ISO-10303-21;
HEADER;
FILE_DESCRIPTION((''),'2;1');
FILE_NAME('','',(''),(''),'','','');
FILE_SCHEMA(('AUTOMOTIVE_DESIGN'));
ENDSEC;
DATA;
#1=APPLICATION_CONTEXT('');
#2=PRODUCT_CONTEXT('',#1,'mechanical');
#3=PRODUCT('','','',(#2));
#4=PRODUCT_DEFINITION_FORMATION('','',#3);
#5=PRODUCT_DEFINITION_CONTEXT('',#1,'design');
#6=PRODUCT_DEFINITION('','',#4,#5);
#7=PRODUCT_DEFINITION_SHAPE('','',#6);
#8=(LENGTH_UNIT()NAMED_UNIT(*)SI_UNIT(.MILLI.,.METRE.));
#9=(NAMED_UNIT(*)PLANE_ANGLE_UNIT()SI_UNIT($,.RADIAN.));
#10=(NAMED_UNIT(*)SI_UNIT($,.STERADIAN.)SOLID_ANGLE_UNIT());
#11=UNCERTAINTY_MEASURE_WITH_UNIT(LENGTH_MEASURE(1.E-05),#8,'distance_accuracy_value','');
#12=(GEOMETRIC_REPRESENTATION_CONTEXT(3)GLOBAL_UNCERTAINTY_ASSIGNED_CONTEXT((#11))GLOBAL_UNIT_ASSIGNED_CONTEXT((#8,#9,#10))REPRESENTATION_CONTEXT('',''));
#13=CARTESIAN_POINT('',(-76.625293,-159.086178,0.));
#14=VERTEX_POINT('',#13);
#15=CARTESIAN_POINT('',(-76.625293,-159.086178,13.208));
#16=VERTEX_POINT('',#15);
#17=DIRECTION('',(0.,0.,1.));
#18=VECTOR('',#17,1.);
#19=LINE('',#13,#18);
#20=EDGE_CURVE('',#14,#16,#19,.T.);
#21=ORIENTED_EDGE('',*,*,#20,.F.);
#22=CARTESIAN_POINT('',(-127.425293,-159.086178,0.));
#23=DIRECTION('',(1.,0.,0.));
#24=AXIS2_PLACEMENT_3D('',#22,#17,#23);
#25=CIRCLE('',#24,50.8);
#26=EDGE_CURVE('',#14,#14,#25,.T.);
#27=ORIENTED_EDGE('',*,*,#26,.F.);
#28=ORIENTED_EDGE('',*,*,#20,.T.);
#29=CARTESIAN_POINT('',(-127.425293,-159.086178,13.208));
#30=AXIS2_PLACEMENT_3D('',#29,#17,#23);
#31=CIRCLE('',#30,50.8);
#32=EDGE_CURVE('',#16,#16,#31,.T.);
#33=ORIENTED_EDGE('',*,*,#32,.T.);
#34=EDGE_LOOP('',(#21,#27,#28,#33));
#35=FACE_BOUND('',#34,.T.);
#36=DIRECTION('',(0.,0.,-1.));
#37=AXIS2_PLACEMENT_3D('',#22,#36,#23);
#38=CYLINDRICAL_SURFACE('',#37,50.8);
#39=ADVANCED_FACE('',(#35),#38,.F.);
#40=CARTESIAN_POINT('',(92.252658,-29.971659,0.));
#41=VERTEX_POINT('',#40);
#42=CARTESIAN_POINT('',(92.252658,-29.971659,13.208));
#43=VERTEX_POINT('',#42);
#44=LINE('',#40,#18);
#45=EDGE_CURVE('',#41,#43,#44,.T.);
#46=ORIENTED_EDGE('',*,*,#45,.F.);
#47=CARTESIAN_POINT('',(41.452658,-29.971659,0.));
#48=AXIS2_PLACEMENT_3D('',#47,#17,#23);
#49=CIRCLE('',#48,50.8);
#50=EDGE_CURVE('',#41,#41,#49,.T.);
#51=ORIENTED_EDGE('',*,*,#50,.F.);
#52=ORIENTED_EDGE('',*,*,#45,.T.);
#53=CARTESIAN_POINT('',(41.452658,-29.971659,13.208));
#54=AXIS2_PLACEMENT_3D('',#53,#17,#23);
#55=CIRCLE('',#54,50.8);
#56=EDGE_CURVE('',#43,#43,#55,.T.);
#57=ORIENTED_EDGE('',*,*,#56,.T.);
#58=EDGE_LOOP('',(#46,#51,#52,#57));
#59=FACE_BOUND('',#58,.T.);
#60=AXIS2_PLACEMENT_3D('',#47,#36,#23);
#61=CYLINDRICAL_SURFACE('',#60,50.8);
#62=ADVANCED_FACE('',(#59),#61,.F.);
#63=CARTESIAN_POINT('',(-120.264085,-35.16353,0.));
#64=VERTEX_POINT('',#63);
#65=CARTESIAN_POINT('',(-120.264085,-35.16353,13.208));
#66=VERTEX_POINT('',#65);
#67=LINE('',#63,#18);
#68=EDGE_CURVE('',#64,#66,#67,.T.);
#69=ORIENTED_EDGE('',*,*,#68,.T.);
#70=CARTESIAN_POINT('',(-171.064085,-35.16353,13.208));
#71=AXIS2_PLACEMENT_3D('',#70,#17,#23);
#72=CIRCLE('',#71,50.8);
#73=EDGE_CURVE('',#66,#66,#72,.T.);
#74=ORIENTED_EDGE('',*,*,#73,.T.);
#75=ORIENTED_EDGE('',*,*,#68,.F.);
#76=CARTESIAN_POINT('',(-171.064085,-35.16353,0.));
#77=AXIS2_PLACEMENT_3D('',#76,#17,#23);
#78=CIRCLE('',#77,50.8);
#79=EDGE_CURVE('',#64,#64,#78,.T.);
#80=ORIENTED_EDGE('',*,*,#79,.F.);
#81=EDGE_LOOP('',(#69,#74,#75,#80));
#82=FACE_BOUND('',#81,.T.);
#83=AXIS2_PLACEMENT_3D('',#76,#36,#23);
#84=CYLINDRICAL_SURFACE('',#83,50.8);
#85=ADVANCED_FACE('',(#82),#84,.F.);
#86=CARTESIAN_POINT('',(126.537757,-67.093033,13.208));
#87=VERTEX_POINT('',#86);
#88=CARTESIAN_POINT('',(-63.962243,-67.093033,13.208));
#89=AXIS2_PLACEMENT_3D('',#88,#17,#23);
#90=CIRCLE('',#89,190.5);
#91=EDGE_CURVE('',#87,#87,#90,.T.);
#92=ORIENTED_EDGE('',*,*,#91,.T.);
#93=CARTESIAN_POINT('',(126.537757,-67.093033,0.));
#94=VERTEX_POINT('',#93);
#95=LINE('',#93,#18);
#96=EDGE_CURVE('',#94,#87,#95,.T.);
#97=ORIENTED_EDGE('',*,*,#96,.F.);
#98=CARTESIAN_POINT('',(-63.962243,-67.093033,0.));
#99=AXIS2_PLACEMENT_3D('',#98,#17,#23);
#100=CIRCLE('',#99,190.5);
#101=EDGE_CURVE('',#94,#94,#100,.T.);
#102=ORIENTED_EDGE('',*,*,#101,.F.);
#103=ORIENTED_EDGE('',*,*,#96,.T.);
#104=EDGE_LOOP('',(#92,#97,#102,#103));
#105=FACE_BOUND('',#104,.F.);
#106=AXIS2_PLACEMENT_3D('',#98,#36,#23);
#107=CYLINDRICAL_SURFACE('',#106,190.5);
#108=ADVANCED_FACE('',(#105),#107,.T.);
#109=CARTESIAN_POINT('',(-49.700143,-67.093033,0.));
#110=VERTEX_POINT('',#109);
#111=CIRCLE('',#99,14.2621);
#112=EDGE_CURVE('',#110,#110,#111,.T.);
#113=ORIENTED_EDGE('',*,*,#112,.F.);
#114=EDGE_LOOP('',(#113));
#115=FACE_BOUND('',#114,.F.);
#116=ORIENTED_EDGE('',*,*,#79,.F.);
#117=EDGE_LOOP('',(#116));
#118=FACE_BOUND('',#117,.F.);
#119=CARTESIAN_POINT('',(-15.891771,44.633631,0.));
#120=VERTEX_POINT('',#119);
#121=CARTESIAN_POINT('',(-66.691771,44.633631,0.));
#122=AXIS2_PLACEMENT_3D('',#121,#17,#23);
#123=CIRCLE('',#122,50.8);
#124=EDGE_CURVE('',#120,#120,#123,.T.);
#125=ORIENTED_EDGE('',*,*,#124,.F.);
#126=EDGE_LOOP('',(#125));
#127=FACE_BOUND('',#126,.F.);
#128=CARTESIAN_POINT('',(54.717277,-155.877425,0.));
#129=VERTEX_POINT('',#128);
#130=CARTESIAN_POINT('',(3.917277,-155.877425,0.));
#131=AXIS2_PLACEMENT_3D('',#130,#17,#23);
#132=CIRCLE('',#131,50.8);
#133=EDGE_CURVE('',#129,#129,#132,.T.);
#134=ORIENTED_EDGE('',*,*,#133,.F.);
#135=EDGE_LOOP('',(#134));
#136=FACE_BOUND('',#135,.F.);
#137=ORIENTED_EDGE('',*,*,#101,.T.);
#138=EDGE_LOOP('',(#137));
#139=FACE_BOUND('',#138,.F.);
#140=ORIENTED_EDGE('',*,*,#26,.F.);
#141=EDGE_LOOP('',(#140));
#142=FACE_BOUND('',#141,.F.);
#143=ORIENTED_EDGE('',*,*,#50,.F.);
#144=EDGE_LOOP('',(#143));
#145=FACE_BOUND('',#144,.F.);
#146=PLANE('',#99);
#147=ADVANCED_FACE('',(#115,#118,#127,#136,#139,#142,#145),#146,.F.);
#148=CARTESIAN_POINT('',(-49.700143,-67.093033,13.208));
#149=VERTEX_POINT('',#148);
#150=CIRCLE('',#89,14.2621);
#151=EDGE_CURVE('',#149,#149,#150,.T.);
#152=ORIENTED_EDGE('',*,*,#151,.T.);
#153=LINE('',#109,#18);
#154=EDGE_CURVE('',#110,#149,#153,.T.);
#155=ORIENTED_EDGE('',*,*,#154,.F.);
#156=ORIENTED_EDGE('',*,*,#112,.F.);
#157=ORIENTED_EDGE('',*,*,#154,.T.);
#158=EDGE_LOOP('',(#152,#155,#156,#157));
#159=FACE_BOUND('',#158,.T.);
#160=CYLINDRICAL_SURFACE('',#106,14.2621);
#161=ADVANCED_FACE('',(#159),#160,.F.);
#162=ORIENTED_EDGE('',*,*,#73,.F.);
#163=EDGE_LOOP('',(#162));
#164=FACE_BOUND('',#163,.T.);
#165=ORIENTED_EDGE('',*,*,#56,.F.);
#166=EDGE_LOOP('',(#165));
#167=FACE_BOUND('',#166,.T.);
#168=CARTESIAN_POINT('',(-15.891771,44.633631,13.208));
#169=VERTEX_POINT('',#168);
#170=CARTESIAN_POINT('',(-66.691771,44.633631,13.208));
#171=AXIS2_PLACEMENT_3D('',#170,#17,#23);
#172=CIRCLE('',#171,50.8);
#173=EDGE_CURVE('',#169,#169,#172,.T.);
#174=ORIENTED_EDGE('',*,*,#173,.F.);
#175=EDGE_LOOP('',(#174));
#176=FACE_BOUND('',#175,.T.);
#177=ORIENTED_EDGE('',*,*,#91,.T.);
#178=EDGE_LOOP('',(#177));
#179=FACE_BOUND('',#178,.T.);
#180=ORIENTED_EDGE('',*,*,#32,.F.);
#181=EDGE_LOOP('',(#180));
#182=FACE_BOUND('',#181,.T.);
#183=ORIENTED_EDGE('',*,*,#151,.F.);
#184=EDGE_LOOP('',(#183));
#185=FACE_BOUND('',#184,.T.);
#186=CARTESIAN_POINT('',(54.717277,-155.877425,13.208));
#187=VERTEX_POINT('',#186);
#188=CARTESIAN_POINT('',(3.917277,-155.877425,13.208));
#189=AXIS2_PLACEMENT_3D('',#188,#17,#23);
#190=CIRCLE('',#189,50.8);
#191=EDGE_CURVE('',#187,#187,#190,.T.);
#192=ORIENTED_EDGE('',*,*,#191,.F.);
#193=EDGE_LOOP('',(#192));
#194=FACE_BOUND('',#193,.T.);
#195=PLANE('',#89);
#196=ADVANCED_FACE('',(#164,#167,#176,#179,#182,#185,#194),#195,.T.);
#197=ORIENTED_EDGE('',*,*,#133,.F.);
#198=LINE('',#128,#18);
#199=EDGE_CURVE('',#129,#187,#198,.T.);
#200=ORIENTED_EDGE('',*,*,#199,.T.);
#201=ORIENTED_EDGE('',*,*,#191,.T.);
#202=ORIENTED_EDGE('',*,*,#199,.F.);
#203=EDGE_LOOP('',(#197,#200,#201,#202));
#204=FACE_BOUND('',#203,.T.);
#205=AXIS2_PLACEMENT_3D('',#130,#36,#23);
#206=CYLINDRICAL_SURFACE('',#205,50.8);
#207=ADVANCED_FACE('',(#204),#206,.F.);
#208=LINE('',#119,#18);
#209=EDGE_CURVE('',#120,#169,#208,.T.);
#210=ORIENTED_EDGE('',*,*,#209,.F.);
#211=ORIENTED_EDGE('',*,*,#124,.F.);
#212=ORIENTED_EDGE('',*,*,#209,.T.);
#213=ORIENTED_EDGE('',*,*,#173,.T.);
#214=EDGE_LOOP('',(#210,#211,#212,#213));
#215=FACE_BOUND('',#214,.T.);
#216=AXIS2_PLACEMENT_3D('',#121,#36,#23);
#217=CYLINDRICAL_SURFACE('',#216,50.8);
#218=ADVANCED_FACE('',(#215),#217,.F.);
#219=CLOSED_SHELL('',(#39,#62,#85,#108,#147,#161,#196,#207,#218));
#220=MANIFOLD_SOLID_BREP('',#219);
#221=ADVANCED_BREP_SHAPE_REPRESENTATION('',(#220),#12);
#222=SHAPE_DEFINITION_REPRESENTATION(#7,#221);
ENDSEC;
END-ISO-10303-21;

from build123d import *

# Parameters (mm, degrees)
F0_R     = 190.5
F0_R_2   = 50.8
F0_R_3   = 14.2621
F1_DEPTH = 13.208


with BuildPart() as f1:
    # F0 (on Top) → F1 (new body)
    with BuildSketch(Plane.XY):
        with Locations((-63.962243, -67.093033)):
            Circle(F0_R)
        with Locations((-127.425293, -159.086178)):
            Circle(F0_R_2, mode=Mode.SUBTRACT)
        with Locations((3.917277, -155.877425)):
            Circle(F0_R_2, mode=Mode.SUBTRACT)
        with Locations((-171.064085, -35.16353)):
            Circle(F0_R_2, mode=Mode.SUBTRACT)
        with Locations((-66.691771, 44.633631)):
            Circle(F0_R_2, mode=Mode.SUBTRACT)
        with Locations((-63.962243, -67.093033)):
            Circle(F0_R_3, mode=Mode.SUBTRACT)
        with Locations((41.452658, -29.971659)):
            Circle(F0_R_2, mode=Mode.SUBTRACT)
    extrude(amount=F1_DEPTH)


solid = f1.part
